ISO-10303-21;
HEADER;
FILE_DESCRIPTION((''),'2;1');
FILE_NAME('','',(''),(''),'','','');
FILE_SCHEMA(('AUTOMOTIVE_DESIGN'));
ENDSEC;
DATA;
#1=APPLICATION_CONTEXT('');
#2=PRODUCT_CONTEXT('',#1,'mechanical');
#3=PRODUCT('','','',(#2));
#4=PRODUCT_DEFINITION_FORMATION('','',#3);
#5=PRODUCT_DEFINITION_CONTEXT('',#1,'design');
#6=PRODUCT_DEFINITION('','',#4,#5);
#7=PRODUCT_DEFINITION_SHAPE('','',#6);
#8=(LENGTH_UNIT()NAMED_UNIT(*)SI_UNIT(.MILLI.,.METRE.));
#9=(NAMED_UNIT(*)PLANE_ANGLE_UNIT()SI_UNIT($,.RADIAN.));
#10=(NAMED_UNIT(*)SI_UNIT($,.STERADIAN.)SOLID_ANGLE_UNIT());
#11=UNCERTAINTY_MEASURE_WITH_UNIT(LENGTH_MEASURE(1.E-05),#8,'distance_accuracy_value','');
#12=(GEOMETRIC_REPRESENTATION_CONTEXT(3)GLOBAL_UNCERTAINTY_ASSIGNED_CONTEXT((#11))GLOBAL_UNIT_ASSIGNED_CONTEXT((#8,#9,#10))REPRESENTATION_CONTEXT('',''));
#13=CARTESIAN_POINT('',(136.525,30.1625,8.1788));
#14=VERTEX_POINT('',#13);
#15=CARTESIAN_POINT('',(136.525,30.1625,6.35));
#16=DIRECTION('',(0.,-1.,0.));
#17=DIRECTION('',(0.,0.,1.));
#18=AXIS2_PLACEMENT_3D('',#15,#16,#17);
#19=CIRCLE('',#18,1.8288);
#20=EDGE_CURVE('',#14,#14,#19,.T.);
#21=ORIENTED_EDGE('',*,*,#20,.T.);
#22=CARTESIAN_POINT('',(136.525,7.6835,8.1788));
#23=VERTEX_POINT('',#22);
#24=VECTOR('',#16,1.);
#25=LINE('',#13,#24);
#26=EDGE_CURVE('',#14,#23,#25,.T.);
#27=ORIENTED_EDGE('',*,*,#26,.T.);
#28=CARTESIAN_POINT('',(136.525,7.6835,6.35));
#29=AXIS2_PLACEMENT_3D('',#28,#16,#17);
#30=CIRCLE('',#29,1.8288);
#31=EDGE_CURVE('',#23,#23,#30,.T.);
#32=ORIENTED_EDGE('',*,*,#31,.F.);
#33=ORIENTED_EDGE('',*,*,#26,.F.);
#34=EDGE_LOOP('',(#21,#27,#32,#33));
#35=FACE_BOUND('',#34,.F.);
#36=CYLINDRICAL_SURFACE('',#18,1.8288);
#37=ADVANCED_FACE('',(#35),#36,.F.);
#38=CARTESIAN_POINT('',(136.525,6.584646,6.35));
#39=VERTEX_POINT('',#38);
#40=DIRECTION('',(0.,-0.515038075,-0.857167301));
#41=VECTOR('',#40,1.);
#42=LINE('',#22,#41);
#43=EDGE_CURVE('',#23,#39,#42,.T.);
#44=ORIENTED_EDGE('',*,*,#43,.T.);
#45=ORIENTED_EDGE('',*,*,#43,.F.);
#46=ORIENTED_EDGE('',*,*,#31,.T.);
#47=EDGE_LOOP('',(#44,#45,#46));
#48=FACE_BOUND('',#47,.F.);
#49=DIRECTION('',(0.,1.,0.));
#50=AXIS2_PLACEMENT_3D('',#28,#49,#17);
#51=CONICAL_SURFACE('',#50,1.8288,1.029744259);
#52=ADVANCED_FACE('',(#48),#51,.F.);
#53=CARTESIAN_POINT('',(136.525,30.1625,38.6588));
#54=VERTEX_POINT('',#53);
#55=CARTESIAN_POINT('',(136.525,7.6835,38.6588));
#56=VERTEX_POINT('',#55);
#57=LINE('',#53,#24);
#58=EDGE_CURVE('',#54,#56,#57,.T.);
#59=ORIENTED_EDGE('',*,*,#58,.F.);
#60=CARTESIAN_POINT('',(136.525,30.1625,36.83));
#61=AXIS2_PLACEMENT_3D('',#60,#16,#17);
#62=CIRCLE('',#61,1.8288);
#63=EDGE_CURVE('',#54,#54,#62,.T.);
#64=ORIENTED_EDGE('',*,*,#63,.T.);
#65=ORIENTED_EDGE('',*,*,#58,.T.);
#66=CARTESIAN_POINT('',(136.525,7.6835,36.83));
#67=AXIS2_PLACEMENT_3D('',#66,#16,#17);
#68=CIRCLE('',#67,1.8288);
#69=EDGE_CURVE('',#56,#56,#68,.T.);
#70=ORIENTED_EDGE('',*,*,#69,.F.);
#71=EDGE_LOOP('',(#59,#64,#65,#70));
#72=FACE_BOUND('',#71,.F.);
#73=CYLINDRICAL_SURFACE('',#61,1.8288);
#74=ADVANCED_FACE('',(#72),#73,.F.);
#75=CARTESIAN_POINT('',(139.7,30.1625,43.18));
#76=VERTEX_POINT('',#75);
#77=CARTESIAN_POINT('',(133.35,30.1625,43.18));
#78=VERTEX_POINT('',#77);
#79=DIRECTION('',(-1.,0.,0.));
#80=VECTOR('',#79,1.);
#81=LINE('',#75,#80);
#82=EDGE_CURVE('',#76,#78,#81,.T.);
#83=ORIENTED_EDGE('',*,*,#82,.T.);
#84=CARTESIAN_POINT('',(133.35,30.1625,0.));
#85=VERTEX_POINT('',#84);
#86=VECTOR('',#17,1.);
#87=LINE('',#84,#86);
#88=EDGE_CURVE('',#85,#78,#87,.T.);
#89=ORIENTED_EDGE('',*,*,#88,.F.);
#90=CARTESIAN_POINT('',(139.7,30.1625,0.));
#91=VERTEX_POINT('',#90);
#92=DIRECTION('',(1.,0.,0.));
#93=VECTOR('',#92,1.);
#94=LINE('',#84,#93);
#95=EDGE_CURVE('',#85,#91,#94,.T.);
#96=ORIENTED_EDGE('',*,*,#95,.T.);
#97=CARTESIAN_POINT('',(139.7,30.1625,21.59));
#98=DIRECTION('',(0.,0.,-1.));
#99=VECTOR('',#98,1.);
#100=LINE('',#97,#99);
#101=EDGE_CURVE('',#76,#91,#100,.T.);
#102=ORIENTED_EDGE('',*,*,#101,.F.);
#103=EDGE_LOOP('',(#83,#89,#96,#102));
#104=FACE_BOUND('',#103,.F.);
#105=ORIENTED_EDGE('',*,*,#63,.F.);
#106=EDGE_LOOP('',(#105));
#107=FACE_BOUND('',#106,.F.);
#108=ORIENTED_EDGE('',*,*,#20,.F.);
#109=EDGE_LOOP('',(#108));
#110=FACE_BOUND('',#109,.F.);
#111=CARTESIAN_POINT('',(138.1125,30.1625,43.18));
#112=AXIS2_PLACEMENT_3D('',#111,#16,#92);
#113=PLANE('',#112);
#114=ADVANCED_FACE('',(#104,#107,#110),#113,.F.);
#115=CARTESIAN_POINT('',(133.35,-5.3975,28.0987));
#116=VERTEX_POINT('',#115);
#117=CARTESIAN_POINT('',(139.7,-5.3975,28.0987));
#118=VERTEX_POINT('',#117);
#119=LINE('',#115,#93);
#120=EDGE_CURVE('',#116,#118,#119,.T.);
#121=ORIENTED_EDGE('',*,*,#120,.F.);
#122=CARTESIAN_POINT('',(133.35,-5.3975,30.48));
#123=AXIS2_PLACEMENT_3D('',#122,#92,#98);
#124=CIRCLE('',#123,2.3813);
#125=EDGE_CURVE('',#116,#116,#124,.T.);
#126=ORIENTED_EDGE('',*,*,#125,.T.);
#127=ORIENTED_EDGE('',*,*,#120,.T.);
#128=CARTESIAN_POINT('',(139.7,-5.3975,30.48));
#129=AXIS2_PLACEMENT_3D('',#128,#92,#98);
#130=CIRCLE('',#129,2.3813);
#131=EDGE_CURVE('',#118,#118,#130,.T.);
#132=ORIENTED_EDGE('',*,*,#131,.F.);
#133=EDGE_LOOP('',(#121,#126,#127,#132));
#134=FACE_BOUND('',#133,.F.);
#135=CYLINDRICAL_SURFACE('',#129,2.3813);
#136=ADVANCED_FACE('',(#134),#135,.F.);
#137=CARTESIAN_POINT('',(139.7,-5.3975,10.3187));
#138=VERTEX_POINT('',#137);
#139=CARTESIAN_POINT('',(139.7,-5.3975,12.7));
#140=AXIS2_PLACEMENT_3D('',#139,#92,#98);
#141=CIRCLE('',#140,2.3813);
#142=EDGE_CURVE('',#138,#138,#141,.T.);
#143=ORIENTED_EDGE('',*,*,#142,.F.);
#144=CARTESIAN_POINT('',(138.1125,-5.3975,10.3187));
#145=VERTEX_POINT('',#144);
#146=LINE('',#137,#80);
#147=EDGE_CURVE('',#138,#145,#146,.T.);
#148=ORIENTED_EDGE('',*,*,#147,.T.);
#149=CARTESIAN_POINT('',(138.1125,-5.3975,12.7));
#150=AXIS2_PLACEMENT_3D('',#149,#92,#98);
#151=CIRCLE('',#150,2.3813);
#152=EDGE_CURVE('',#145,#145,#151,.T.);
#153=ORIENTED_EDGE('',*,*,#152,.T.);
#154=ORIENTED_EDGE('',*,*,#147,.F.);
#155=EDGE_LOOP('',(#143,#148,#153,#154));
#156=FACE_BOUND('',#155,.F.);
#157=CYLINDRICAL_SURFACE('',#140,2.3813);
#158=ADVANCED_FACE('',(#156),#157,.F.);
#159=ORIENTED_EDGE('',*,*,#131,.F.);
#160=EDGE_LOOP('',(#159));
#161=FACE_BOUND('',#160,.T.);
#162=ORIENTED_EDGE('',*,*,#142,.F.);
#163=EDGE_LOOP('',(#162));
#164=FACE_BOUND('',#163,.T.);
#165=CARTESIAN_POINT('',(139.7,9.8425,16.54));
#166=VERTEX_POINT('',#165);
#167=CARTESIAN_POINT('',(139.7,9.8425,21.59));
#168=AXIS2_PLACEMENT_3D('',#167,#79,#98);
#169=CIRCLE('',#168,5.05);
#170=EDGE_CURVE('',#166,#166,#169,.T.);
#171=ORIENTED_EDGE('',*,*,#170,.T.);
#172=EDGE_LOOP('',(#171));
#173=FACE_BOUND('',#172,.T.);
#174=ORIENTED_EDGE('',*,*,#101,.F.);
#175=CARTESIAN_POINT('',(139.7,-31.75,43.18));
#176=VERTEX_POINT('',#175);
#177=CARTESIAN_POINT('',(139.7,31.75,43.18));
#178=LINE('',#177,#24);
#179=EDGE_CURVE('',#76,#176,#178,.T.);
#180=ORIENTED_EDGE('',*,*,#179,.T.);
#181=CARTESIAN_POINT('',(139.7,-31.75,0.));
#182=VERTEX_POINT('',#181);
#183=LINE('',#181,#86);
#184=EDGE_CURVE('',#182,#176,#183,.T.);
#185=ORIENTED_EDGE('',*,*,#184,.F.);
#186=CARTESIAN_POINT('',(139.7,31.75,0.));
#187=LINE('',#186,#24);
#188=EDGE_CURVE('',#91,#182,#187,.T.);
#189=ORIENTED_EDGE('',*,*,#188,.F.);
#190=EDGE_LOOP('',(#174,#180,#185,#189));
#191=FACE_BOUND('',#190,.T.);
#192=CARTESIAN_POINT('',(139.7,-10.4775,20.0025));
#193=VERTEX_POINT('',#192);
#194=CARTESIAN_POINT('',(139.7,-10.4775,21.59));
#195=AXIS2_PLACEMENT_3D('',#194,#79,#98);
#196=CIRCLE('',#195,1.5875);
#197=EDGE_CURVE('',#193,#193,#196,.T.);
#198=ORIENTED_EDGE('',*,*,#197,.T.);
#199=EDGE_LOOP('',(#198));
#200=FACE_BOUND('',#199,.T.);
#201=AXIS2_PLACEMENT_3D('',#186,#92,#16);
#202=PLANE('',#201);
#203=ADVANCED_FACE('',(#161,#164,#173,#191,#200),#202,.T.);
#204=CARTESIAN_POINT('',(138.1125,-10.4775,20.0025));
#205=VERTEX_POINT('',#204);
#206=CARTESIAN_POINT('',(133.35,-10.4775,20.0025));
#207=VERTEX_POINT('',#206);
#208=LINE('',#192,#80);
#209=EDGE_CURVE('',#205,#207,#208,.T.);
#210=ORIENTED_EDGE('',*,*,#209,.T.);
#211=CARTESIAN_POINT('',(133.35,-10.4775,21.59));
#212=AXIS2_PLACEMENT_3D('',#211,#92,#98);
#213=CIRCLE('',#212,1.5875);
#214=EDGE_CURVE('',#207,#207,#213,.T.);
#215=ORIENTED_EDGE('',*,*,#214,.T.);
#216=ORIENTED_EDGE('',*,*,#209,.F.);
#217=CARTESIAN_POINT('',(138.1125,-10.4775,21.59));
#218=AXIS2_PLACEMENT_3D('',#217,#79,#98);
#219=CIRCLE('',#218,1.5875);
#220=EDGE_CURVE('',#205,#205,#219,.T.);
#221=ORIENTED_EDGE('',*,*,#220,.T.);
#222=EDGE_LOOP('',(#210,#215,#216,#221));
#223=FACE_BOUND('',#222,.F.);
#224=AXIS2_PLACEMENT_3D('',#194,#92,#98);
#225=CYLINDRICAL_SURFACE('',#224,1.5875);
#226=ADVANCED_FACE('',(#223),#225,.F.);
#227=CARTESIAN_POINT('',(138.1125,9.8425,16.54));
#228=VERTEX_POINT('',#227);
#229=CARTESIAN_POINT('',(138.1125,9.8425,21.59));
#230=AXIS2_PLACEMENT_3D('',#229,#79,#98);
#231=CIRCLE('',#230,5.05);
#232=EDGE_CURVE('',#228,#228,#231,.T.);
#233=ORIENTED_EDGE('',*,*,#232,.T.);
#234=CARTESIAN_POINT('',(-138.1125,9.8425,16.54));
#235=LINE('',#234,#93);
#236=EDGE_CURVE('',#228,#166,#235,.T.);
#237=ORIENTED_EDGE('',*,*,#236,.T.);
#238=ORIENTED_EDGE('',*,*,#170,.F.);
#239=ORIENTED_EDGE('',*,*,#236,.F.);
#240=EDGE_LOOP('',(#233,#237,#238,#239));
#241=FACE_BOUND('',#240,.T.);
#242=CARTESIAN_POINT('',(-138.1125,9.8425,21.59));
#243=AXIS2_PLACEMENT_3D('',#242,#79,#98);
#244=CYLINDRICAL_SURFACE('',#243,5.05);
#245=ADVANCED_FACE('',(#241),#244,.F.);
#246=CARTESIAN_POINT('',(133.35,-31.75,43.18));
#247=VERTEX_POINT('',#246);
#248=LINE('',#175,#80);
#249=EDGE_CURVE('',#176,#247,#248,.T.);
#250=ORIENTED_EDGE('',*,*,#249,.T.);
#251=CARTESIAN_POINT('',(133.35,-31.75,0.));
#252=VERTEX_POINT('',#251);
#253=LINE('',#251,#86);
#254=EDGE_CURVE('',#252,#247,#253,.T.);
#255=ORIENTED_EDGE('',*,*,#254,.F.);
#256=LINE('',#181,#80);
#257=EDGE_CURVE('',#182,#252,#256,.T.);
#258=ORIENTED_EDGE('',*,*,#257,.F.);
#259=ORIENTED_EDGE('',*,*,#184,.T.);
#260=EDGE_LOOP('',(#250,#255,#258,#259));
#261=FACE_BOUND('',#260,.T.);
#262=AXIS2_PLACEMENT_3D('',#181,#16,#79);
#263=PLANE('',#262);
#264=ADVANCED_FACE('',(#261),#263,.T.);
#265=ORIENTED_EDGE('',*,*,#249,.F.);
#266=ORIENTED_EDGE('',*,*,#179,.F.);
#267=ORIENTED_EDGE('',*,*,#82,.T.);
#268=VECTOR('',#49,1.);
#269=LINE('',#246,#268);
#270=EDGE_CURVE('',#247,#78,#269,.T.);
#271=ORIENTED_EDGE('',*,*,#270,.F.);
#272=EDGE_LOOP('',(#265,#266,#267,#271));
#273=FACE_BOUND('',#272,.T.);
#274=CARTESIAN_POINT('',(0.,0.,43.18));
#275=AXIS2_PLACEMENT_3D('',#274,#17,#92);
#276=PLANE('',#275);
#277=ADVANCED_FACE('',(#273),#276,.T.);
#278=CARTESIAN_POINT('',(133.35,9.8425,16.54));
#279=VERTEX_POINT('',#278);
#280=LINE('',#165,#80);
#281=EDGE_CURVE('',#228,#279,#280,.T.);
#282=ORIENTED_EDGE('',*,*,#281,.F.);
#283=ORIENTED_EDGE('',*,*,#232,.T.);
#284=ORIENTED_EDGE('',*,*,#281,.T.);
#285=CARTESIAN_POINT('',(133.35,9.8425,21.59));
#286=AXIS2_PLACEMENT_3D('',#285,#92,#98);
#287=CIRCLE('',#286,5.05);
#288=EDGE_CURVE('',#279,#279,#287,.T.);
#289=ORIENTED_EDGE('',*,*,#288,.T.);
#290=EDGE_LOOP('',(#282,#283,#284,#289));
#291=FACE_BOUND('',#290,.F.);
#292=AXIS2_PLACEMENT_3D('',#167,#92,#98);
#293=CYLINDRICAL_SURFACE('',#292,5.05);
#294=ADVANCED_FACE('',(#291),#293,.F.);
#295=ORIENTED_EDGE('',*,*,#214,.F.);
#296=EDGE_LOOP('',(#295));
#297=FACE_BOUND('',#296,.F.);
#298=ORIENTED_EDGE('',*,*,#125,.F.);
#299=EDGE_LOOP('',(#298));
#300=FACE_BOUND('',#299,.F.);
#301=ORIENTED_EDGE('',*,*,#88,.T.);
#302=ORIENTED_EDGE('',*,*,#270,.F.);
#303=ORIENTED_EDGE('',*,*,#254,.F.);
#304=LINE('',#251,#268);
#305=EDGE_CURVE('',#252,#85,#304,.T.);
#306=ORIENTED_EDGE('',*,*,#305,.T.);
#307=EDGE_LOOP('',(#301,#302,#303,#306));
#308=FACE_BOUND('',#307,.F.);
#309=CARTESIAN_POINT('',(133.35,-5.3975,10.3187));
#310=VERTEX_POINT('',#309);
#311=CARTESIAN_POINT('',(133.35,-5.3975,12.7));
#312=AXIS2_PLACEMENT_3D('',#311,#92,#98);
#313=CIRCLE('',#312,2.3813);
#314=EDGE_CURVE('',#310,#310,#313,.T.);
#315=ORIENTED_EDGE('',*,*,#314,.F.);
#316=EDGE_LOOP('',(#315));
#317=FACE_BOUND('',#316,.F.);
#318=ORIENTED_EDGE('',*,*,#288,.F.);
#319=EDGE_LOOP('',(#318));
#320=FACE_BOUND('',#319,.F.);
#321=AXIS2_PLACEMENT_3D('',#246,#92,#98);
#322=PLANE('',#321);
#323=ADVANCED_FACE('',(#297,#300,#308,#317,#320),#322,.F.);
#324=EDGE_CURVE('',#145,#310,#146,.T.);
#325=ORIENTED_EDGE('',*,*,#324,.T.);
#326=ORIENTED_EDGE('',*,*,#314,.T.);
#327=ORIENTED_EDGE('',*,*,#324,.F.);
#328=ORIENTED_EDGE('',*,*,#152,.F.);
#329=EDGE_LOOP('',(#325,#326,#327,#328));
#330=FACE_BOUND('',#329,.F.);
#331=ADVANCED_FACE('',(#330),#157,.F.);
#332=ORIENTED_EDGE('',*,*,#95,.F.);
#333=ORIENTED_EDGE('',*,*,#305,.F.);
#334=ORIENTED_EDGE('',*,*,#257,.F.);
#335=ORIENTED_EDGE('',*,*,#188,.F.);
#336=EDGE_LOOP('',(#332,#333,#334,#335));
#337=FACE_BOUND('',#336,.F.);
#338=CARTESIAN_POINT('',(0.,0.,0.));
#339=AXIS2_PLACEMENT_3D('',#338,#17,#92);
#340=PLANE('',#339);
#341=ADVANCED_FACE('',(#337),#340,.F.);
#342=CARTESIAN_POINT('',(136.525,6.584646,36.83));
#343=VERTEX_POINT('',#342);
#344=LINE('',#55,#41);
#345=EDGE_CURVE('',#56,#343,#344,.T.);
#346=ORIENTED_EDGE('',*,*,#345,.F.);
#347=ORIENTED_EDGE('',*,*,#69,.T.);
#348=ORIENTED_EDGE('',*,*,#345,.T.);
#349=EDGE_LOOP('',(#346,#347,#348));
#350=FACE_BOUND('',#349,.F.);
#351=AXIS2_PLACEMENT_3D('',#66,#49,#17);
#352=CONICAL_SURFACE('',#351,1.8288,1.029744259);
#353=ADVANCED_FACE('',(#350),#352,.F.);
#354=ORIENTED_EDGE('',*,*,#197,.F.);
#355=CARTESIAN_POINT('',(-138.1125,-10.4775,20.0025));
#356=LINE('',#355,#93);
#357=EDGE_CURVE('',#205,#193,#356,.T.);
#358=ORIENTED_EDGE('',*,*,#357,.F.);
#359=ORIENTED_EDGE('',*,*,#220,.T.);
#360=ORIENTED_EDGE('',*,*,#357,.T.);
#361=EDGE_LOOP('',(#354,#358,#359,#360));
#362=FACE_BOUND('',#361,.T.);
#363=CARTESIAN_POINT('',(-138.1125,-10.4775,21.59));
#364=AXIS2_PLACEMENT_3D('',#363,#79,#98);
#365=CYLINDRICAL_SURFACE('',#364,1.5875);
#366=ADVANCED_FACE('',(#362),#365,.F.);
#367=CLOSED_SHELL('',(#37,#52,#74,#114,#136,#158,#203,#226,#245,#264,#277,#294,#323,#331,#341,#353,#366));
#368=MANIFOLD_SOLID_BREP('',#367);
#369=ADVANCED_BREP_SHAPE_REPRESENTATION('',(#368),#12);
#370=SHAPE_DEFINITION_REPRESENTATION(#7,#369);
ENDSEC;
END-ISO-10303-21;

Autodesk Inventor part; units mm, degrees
ref_plane "YZ Plane" through (0, 0, 0) normal (1, 0, 0) x (0, 1, 0)
ref_plane "XZ Plane" through (0, 0, 0) normal (0, 1, 0) x (-1, 0, 0)
ref_plane "XY Plane" through (0, 0, 0) normal (0, 0, 1) x (1, 0, 0)
sketch "Sketch1" plane through (0, 0, 0) normal (0, 0, 1) x (1, 0, 0)
  line L0 (-139.7, 31.75) -> (139.7, 31.75)
  line L1 (139.7, 31.75) -> (139.7, -31.75)
  line L2 (139.7, -31.75) -> (-139.7, -31.75)
  line L3 (-139.7, -31.75) -> (-139.7, 31.75)
  point P0 (0, 0)
  point P1 (0, 31.75)
  point P2 (139.7, 0)
  dimension "d0" = 279.4
  dimension "d1" = 63.5
extrude "Extrusion1" add sketch "Sketch1" along normal blind 43.18
sketch "Sketch2" plane through (0, 0, 43.18) normal (0, 0, 1) x (1, 0, 0)
  line L0 (-139.7, -31.75) -> (139.7, -31.75) projected
  line L1 (-138.1125, 30.1625) -> (138.1125, 30.1625)
  line L2 (138.1125, 30.1625) -> (138.1125, -31.75)
  line L3 (138.1125, -31.75) -> (-138.1125, -31.75)
  line L4 (-138.1125, -31.75) -> (-138.1125, 30.1625)
  line L5 (139.7, -31.75) -> (139.7, 31.75) projected
  line L6 (139.7, 31.75) -> (-139.7, 31.75) projected
  line L7 (-139.7, 31.75) -> (-139.7, -31.75) projected
  point P0 (0, 0)
  point P1 (-138.1125, -31.75)
  dimension "d4" = 1.5875
  dimension "d5" = 1.5875
  dimension "d6" = 1.5875
extrude "Extrusion2" cut sketch "Sketch2" against normal up to surface (43.18 mm away) contours L4 L1 L2 L0
sketch "Sketch3" plane through (-138.1125, -31.75, 43.18) normal (1, 0, 0) x (0, 0, -1)
  circle A0 centre (21.59, 41.5925) radius 5.05
  line L0 (0, 61.9125) -> (43.18, 61.9125) projected
  circle A1 centre (21.59, 21.2725) radius 1.5875
  line L1 (43.18, 63.5) -> (0, 63.5) projected
  point P0 (43.18, 31.75)
  point P1 (21.59, 63.5)
  dimension "d9" = 10.1
  dimension "d10" = 20.32
  dimension "d13" = 3.175
  dimension "d15" = 20.32
extrude "Extrusion3" cut sketch "Sketch3" along normal through all both and the other way through all
sketch "Sketch4" plane through (139.7, -31.75, 0) normal (1, 0, 0) x (0, 0, -1)
  circle A0 centre (-12.7, 26.3525) radius 2.3813
  line L0 (0, 63.5) -> (-43.18, 63.5) construction
  line L1 (-21.59, 63.5) -> (-21.59, -3.1611) construction
  line L2 (0, 0) -> (0, 63.5) projected
  circle A1 centre (-21.59, 41.5925) radius 5.05 projected
  circle A2 centre (-30.48, 26.3525) radius 2.3813
  point P0 (0, 31.75)
  dimension "d16" = 12.7
  dimension "d17" = 15.24
  dimension "d18" = 4.7625
extrude "Extrusion4" cut sketch "Sketch4" against normal up to surface (1.5875 mm away) contours A0 | A2
sketch "Sketch5" plane through (-139.7, -31.75, 0) normal (-1, 0, 0) x (0, 0, 1)
  circle A0 centre (21.59, 41.5925) radius 5.05 construction
  line L0 (21.59, 41.5925) -> (21.59, 66.4825) construction
  line L1 (21.59, 41.5925) -> (51.2225, 41.5925) construction
  circle A1 centre (37.09, 57.0925) radius 1.5875
  circle A2 centre (6.09, 57.0925) radius 1.5875
  circle A3 centre (37.09, 26.0925) radius 1.5875
  circle A4 centre (6.09, 26.0925) radius 1.5875
  point P0 (0, 31.75)
  dimension "d21" = 3.175
  dimension "d22" = 15.5
  dimension "d23" = 15.5
extrude "Extrusion5" cut sketch "Sketch5" against normal up to surface (1.5875 mm away)
sketch "Sketch6" plane through (0, 0, 43.18) normal (0, 0, 1) x (1, 0, 0)
  line L0 (138.1125, 30.1625) -> (138.1125, -31.75) projected
  line L1 (138.1125, 30.1625) -> (147.9517, 30.1625)
  line L2 (147.9517, 30.1625) -> (147.9517, 39.5232)
  line L3 (147.9517, 39.5232) -> (138.1125, 39.5232)
  line L4 (138.1125, 39.5232) -> (138.1125, 30.1625)
  line L5 (138.1125, 30.1625) -> (-192.5476, 30.1625)
  line L6 (-192.5476, 30.1625) -> (-192.5476, 49.9994)
  line L7 (-192.5476, 49.9994) -> (138.1125, 49.9994)
  line L8 (138.1125, 49.9994) -> (138.1125, 30.1625)
  line L9 (-192.5476, 30.1625) -> (-74.3706, 30.1625)
  line L10 (-74.3706, 30.1625) -> (-74.3706, -79.1708)
  line L11 (-74.3706, -79.1708) -> (-192.5476, -79.1708)
  line L12 (-192.5476, -79.1708) -> (-192.5476, 30.1625)
  point P0 (0, 0)
extrude "Extrusion6" cut sketch "Sketch6" against normal through all
sketch "Sketch7" plane through (139.7, -31.75, 43.18) normal (1, 0, 0) x (0, 0, -1)
  line L0 (43.18, 61.9125) -> (0, 61.9125) projected
  line L1 (0, 0) -> (0, 61.9125) projected
  line L2 (43.18, 0) -> (0, 0) projected
  line L3 (43.18, 0) -> (43.18, 61.9125) projected
  circle A0 centre (21.59, 21.2725) radius 1.5875 projected
  circle A1 centre (21.59, 41.5925) radius 5.05 projected
  circle A2 centre (30.48, 26.3525) radius 2.3813 projected
  circle A3 centre (12.7, 26.3525) radius 2.3813 projected
  point P0 (43.18, 31.75)
extrude "Extrusion7" add sketch "Sketch7" against normal blind 6.35
sketch "Sketch8" plane through (139.7, 30.1625, 43.18) normal (0, 1, 0) x (1, 0, 0)
  line L0 (-6.35, 0) -> (0, 0) projected
  line L1 (-6.35, 0) -> (0, 0)
  line L2 (-3.175, 0) -> (-3.175, 6.35)
  line L3 (-6.35, 43.18) -> (0, 43.18) projected
  line L4 (-3.175, 43.18) -> (-3.175, 36.83)
  point P0 (-139.7, 43.18)
  dimension "d30" = 6.35
  dimension "d31" = 6.35
hole "Hole1" at (136.525, 30.1625, 36.83) at (136.525, 30.1625, 6.35) direction (0, -1, 0) diameter 3.6576 depth 22.479 tip angle 118 clearance for "Hex Machine Screw" size "#6" standard "Ansi Unified Screw Threads"
properties part number "Bracket(right)"
